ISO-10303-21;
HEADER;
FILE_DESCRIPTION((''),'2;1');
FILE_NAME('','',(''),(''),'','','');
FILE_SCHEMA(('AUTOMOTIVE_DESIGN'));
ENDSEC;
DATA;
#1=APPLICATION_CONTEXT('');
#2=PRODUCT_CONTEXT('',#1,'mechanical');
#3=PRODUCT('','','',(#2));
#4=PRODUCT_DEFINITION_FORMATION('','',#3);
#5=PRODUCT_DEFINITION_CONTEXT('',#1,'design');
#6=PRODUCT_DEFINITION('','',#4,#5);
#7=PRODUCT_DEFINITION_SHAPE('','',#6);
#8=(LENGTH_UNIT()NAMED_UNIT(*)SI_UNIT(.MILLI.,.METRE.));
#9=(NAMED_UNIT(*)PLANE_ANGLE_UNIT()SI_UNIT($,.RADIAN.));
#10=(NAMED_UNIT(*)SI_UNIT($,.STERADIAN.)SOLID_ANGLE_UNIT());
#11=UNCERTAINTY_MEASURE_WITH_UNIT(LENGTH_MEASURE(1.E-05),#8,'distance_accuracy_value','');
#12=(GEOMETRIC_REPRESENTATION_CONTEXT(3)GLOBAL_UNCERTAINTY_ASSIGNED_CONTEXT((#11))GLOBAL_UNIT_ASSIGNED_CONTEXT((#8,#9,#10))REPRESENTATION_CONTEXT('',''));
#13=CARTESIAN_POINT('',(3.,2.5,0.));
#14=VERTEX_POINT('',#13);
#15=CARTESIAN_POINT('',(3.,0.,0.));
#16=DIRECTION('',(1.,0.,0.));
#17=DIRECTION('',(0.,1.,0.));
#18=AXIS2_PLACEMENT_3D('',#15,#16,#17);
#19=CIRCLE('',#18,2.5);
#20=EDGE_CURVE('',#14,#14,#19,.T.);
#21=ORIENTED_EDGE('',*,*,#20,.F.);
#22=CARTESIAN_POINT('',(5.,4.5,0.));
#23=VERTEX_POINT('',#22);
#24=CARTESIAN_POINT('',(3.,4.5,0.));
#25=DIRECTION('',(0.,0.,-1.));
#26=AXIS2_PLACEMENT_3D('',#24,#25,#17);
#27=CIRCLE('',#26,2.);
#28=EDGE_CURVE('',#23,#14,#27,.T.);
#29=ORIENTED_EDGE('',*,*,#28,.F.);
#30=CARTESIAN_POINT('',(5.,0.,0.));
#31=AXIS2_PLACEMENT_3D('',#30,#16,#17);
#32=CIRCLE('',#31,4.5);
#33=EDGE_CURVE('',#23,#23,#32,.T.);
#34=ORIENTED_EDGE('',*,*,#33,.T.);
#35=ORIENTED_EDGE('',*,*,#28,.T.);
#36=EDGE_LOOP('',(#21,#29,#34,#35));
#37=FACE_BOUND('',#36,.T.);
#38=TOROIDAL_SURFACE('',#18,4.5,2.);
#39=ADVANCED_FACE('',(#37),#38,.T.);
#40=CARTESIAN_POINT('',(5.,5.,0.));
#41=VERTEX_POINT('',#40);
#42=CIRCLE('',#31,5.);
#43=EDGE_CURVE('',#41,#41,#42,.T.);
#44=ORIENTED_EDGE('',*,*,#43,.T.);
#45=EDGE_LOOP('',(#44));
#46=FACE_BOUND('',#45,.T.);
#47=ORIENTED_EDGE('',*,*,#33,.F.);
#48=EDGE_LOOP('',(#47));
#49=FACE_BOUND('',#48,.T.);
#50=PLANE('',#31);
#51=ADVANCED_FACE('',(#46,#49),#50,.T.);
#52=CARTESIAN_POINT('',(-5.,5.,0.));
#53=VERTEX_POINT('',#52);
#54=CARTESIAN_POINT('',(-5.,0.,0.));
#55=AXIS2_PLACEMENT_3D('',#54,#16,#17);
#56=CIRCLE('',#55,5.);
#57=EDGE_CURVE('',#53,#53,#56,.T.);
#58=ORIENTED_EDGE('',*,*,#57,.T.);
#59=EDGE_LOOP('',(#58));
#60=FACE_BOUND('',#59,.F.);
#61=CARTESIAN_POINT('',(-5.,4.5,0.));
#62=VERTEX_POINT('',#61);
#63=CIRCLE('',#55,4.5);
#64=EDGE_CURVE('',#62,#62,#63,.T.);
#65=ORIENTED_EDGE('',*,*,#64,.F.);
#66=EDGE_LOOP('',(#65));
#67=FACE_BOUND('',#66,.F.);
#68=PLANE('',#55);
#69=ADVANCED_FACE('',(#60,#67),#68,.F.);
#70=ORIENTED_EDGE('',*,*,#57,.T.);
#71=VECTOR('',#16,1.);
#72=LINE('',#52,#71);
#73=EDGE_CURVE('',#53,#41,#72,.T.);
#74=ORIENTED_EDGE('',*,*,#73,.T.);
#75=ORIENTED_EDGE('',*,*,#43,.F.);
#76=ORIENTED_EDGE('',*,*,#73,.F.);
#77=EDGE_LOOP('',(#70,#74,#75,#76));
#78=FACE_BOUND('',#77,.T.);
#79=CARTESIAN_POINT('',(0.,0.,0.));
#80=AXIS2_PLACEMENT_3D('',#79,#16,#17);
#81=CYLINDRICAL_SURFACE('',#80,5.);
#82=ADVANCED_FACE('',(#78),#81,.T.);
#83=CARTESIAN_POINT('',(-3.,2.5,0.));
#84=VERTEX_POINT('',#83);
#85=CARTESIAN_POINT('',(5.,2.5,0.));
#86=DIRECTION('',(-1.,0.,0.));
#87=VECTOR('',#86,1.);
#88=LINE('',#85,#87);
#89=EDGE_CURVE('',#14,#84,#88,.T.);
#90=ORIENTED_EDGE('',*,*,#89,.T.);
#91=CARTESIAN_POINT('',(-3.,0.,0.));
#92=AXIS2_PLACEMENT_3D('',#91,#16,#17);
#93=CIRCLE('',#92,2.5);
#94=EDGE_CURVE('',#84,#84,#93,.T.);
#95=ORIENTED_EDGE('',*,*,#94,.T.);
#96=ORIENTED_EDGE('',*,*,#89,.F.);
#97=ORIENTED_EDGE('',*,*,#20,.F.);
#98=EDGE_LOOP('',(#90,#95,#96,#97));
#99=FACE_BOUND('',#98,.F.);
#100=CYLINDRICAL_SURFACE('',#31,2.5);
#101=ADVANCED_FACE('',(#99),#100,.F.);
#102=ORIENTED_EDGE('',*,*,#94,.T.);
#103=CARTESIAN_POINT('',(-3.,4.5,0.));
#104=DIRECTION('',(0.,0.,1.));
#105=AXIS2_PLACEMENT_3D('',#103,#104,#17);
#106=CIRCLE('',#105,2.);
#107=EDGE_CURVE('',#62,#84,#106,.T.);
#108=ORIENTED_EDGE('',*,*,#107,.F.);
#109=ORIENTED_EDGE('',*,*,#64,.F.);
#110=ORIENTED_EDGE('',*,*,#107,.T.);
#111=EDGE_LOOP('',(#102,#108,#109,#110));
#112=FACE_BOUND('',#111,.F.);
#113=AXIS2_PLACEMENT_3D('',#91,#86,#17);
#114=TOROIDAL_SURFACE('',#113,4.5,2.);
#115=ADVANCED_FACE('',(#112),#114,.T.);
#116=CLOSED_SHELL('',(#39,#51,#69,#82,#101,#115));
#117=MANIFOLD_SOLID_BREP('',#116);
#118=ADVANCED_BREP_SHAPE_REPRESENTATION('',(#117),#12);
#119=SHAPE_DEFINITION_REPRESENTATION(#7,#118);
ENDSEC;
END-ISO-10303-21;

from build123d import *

# Parameters (mm, degrees)
F0_R     = 5
F1_DEPTH = 5
F2_R     = 2.5
F3_DEPTH = 25
F4_R     = 2


with BuildPart() as f1:
    # F0 (on Right) → F1 (new body, symmetric)
    with BuildSketch(Plane.YZ):
        Circle(F0_R)
    extrude(amount=F1_DEPTH, both=True)

    # F2 (on face) → F3 (cut)
    with BuildSketch(Plane.YZ.offset(5)):
        Circle(F2_R)
    extrude(amount=-F3_DEPTH, mode=Mode.SUBTRACT)

    # F4
    f4_edges = [f1.edges().sort_by_distance(p)[0] for p in [
        (5, -2.5, 0),
        (-5, -2.5, 0),
    ]]
    fillet(f4_edges, radius=F4_R)


solid = f1.part
